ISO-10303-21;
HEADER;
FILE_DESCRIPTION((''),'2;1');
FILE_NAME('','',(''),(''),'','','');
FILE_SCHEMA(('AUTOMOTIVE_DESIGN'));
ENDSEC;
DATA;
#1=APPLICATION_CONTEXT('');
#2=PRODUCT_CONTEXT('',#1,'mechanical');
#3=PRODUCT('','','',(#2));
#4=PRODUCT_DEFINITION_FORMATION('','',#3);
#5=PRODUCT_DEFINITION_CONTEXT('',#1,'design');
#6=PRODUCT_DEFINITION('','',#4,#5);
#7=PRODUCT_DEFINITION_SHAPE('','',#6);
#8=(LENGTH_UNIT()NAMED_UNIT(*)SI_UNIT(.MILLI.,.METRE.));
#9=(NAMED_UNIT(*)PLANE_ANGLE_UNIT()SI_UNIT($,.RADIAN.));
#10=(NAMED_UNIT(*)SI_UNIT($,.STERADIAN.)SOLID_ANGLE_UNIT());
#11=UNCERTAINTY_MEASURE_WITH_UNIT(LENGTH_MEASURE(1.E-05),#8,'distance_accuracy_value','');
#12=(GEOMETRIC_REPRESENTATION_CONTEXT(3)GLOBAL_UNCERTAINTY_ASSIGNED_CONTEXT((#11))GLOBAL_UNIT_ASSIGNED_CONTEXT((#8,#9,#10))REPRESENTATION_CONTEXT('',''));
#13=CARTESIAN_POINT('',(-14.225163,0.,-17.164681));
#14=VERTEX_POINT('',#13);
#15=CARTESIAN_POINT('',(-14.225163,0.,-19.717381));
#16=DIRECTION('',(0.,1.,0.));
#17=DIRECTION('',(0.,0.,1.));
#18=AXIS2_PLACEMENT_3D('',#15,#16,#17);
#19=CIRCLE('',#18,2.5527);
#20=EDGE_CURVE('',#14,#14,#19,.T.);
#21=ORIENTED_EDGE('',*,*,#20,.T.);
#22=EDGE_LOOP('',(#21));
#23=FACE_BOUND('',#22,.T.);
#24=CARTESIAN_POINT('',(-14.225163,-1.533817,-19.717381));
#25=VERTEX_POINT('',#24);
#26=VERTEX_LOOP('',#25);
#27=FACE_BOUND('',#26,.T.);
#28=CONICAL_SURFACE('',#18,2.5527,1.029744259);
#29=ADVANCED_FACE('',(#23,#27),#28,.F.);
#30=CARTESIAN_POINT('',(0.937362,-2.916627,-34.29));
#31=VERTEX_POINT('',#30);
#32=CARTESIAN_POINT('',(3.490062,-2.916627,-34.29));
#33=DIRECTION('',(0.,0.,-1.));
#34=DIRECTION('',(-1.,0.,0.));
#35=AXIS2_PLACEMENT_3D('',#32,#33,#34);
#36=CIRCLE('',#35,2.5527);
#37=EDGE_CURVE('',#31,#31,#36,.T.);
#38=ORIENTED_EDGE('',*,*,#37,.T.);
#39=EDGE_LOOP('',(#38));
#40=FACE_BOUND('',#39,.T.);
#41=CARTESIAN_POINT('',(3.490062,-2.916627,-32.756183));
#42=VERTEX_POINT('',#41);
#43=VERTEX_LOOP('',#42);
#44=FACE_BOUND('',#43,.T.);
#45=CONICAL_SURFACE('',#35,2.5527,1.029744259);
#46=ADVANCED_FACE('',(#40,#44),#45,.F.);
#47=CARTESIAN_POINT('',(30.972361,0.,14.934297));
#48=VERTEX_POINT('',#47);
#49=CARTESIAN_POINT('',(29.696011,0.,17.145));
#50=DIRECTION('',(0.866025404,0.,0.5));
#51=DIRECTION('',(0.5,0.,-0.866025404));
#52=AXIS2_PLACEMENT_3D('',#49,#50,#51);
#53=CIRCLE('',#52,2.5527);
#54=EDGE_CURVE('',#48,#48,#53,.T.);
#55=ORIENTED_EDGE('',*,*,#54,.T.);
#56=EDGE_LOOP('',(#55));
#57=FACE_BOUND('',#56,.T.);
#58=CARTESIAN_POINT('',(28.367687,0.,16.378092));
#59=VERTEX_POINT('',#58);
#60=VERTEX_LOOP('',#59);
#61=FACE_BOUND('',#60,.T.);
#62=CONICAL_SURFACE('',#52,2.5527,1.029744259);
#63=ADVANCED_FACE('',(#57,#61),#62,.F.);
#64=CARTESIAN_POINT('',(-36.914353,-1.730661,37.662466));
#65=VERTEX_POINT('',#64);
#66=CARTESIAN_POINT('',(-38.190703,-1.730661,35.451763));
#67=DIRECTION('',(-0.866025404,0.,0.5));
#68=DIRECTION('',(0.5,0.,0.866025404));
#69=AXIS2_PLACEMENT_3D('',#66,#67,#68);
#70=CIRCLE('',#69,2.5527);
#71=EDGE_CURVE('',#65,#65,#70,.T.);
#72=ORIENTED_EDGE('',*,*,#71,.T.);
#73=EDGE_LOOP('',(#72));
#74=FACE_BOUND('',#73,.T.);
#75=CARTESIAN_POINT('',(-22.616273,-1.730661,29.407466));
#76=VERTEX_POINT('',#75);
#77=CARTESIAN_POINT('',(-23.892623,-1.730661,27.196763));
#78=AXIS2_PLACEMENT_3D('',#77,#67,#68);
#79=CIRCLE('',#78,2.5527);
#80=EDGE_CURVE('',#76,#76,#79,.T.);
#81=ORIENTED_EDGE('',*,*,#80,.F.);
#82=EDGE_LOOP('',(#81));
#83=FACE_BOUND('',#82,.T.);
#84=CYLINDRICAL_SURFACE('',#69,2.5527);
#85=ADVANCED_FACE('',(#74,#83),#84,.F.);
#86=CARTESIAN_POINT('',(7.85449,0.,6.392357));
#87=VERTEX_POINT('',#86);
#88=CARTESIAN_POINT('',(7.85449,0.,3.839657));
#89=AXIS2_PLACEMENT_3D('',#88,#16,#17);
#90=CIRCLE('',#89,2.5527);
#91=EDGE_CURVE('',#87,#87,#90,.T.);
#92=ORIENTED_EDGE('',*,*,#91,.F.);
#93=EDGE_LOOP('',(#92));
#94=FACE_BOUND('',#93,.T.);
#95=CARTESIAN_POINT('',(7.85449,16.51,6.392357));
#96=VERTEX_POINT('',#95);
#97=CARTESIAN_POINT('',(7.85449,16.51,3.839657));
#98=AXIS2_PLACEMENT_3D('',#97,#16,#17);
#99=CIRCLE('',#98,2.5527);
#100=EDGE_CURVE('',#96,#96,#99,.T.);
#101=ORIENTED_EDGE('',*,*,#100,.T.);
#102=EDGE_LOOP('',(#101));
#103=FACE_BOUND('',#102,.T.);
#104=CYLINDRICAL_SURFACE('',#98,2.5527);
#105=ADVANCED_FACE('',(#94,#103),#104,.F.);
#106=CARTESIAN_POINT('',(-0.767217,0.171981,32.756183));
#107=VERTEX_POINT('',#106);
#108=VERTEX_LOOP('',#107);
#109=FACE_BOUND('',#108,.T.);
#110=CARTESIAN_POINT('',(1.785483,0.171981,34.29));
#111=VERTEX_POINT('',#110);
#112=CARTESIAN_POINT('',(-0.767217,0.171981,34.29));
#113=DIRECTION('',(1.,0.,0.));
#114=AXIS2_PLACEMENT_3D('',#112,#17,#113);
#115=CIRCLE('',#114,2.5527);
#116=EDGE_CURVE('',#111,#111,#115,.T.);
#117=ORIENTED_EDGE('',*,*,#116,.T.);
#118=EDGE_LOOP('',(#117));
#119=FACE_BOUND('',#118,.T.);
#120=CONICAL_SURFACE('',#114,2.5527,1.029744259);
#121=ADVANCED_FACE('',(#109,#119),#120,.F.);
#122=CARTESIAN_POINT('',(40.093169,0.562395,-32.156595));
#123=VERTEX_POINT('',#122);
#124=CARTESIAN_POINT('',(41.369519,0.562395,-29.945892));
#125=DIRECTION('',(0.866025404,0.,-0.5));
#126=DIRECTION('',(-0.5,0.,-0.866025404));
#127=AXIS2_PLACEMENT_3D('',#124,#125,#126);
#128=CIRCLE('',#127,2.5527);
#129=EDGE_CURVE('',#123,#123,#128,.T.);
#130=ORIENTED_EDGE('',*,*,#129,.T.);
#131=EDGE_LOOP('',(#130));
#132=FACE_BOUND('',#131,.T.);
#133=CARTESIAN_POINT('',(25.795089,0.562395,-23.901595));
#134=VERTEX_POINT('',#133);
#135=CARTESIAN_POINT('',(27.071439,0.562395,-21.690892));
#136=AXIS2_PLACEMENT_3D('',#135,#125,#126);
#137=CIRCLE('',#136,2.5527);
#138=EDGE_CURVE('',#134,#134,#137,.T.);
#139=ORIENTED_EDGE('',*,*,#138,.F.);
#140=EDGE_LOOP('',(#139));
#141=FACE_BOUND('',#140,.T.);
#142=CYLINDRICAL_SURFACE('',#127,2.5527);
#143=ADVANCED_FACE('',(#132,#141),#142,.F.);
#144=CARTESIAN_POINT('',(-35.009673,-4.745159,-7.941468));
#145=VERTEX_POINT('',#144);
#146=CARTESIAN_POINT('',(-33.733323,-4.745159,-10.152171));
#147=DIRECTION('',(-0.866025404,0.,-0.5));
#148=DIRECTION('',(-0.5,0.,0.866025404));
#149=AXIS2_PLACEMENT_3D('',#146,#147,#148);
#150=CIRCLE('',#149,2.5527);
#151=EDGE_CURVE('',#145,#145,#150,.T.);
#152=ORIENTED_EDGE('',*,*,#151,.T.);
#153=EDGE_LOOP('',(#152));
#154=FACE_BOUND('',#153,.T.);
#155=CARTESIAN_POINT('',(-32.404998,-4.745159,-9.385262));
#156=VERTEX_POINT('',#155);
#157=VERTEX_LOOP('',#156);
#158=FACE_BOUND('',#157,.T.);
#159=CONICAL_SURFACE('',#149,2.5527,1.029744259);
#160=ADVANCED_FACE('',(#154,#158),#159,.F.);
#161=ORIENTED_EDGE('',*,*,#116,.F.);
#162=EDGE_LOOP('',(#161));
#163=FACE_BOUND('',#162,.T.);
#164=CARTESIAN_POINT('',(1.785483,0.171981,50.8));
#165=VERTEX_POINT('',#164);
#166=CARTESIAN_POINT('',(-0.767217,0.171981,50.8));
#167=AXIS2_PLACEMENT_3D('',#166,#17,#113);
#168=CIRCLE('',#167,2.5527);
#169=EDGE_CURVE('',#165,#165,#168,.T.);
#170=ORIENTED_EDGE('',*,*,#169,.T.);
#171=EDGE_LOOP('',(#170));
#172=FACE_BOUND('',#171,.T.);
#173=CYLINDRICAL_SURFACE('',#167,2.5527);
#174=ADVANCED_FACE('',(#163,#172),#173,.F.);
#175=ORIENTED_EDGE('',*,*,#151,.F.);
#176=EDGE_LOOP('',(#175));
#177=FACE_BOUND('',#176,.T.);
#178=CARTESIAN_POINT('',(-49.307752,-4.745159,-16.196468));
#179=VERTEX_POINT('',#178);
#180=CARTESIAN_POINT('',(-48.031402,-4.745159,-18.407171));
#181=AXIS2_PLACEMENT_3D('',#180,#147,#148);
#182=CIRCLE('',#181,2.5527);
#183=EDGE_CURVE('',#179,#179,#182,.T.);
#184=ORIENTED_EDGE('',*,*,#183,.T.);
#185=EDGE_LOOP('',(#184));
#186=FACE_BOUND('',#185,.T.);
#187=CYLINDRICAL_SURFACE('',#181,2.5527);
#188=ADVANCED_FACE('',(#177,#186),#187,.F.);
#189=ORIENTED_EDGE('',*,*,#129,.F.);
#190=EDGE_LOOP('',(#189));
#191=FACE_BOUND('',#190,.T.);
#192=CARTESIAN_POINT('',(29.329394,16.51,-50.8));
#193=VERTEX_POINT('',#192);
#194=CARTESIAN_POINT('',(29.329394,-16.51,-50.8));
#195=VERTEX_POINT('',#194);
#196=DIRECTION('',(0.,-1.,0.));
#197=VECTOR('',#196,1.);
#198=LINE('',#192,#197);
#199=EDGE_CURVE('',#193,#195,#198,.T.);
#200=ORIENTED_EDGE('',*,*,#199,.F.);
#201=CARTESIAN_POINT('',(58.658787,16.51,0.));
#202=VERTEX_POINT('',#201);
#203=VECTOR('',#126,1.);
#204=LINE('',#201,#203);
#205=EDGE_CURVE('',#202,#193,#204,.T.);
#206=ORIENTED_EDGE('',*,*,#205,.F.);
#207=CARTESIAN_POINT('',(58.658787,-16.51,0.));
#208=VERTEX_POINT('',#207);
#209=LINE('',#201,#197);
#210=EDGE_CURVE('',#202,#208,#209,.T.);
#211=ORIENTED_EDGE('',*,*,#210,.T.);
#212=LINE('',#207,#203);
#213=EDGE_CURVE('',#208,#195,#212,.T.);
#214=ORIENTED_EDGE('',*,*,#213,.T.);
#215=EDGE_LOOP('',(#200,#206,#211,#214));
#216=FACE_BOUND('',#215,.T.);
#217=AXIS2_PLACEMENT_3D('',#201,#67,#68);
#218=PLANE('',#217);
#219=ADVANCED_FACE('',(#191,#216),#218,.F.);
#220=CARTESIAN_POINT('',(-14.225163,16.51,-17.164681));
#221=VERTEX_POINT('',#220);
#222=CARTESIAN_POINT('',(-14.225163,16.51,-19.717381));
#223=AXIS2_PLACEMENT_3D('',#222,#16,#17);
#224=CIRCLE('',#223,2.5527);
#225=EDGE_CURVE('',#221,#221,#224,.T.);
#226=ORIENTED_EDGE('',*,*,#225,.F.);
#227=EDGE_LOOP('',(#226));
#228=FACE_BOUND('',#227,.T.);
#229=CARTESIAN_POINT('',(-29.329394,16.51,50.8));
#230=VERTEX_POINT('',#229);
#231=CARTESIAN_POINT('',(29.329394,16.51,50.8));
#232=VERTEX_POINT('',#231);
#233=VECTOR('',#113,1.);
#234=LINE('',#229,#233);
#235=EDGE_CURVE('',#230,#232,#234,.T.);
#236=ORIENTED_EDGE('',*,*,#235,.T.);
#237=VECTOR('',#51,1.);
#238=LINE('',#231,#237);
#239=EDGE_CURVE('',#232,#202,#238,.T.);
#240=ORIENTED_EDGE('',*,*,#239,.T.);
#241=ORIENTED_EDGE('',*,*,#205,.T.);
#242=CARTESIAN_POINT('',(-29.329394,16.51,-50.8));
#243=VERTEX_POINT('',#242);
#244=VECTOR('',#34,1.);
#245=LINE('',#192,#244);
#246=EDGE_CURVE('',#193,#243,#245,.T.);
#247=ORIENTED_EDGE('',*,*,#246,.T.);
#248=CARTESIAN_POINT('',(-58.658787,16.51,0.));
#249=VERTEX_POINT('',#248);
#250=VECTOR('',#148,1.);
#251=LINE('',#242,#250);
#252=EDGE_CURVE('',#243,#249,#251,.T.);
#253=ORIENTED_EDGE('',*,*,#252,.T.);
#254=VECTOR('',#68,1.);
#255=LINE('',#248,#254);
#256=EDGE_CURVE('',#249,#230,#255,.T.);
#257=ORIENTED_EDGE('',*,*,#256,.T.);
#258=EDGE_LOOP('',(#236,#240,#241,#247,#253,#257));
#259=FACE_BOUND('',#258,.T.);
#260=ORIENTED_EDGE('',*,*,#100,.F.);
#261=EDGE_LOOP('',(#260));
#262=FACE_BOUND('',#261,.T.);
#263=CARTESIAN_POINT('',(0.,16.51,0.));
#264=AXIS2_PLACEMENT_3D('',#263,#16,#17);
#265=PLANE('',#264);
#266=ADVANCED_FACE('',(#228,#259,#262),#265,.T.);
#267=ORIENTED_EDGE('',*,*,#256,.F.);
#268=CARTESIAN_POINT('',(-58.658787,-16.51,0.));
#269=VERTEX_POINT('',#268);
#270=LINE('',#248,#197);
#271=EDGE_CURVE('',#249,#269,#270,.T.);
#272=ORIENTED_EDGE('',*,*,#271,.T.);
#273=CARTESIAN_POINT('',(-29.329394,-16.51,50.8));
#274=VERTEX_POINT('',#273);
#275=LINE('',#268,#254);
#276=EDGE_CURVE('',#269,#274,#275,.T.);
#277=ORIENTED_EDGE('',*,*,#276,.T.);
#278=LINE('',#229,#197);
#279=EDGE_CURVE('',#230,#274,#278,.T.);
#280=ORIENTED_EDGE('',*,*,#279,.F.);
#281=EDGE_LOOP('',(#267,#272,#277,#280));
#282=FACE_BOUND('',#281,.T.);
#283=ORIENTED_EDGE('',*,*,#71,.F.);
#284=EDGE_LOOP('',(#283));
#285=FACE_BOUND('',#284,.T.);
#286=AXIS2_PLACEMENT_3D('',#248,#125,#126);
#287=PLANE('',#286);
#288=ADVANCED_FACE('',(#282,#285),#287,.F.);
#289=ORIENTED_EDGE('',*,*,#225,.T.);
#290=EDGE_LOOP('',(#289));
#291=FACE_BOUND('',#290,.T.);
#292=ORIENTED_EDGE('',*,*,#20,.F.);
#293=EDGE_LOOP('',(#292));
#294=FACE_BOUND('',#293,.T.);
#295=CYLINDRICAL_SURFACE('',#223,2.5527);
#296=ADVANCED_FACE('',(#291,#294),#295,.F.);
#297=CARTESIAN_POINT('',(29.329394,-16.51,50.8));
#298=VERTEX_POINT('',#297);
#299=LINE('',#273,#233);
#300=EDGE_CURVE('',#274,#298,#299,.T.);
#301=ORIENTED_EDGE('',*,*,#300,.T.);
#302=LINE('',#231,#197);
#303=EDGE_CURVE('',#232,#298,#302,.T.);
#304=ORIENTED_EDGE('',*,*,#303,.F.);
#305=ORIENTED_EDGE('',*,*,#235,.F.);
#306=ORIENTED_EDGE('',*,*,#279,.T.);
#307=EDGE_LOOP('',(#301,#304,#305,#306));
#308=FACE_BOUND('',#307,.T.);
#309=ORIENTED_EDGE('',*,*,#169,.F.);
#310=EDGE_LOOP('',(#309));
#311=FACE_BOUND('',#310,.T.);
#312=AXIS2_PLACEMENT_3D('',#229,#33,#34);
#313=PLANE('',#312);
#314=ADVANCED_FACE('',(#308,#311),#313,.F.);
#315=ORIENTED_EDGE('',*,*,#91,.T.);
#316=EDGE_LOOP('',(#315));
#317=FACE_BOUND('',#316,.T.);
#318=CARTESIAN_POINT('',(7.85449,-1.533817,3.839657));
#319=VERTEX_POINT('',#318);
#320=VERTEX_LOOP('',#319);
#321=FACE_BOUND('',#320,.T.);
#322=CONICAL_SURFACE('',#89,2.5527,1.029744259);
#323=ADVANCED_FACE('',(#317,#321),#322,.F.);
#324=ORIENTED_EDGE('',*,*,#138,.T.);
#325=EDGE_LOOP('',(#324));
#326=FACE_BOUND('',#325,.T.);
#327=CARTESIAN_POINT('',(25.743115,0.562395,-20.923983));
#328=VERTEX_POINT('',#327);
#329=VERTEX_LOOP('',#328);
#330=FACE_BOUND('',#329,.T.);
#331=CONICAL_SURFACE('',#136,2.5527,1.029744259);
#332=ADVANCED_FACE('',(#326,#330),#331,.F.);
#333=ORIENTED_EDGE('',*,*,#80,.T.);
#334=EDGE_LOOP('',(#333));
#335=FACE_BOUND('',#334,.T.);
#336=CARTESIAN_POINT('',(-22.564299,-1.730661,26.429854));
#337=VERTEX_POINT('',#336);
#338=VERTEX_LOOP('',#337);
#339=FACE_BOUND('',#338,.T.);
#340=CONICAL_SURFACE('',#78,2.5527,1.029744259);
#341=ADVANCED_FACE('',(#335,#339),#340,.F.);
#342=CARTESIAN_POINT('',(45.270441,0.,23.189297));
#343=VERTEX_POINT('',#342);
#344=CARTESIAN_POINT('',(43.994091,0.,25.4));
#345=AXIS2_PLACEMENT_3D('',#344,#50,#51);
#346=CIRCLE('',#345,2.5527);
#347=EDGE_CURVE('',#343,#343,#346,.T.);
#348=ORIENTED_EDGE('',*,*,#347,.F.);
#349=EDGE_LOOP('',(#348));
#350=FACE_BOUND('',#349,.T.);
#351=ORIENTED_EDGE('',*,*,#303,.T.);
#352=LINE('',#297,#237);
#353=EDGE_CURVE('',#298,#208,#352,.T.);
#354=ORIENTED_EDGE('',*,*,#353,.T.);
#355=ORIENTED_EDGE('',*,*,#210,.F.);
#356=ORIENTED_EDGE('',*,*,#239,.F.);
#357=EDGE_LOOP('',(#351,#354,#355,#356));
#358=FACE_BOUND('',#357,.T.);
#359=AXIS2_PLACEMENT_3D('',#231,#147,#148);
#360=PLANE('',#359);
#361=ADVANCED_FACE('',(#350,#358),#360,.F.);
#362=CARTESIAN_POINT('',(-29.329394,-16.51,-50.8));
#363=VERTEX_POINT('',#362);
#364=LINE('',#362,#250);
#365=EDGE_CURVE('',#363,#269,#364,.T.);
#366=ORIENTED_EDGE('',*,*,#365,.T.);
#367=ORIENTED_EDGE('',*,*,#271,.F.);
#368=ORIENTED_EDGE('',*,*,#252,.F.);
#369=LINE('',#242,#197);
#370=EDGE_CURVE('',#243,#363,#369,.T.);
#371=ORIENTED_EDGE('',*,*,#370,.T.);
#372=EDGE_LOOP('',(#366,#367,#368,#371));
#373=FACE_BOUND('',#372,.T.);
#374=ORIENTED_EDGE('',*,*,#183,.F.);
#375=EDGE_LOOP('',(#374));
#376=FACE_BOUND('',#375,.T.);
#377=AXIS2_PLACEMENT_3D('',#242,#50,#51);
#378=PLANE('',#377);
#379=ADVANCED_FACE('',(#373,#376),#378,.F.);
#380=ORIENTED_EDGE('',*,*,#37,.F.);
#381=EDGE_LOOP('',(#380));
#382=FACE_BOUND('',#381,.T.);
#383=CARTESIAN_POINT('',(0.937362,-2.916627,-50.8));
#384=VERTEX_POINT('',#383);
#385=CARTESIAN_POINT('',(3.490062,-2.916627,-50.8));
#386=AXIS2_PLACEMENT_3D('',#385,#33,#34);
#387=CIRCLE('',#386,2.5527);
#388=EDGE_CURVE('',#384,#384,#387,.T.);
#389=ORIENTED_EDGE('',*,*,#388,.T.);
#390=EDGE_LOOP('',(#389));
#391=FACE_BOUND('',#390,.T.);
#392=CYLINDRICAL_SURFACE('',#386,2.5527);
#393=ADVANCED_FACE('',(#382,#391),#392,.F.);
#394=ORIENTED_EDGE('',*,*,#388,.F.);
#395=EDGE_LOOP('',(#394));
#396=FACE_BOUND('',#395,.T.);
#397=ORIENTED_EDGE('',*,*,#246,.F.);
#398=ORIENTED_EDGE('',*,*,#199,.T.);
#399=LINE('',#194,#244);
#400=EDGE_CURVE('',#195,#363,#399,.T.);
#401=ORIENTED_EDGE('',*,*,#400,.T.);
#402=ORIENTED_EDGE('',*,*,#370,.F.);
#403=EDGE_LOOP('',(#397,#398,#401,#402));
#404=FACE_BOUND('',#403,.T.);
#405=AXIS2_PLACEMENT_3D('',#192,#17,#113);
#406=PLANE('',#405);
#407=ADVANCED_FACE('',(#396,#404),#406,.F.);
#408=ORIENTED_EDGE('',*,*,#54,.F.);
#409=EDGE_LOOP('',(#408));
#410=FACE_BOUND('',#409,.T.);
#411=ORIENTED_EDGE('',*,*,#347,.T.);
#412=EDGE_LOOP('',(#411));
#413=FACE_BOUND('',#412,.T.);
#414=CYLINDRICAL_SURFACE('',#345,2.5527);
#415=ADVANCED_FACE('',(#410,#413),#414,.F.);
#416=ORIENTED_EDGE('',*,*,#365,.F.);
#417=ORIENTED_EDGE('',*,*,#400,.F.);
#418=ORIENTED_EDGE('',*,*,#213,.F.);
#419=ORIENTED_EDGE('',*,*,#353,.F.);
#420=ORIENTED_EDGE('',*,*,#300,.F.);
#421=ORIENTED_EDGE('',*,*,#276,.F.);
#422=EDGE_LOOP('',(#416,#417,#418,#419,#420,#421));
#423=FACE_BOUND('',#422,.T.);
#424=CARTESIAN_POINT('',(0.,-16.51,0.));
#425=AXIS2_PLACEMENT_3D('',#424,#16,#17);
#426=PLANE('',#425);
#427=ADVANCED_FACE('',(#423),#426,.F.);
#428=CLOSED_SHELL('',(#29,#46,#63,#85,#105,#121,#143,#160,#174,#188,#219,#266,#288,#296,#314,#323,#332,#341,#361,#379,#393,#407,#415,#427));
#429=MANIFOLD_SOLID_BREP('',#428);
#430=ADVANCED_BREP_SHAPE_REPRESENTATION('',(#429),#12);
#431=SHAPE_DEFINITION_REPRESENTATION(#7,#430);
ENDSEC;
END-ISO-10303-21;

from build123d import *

# Parameters (mm, degrees)
BOSS_EXTRUDE1_DEPTH                   = 16.51
F_1_4_20_TAPPED_HOLE2_D               = 5.1054
F_1_4_20_TAPPED_HOLE2_DEPTH           = 16.51
F_1_4_20_TAPPED_HOLE2_TIP             = 1.533816902
F_1_4_20_TAPPED_HOLE2_ON_FACE_2_D     = 5.1054
F_1_4_20_TAPPED_HOLE2_ON_FACE_2_DEPTH = 16.51
F_1_4_20_TAPPED_HOLE2_ON_FACE_2_TIP   = 1.533816902
F_1_4_20_TAPPED_HOLE2_ON_FACE_3_D     = 5.1054
F_1_4_20_TAPPED_HOLE2_ON_FACE_3_DEPTH = 16.51
F_1_4_20_TAPPED_HOLE2_ON_FACE_3_TIP   = 1.533816902
F_1_4_20_TAPPED_HOLE2_ON_FACE_4_D     = 5.1054
F_1_4_20_TAPPED_HOLE2_ON_FACE_4_DEPTH = 16.51
F_1_4_20_TAPPED_HOLE2_ON_FACE_4_TIP   = 1.533816902
F_1_4_20_TAPPED_HOLE2_ON_FACE_5_D     = 5.1054
F_1_4_20_TAPPED_HOLE2_ON_FACE_5_DEPTH = 16.51
F_1_4_20_TAPPED_HOLE2_ON_FACE_5_TIP   = 1.533816902
F_1_4_20_TAPPED_HOLE2_ON_FACE_6_D     = 5.1054
F_1_4_20_TAPPED_HOLE2_ON_FACE_6_DEPTH = 16.51
F_1_4_20_TAPPED_HOLE2_ON_FACE_6_TIP   = 1.533816902
F_1_4_20_TAPPED_HOLE2_ON_FACE_7_D     = 5.1054
F_1_4_20_TAPPED_HOLE2_ON_FACE_7_DEPTH = 16.51
F_1_4_20_TAPPED_HOLE2_ON_FACE_7_TIP   = 1.533816902


with BuildPart() as part:
    # Sketch1 → Boss-Extrude1 (new, symmetric)
    with BuildSketch(Plane(origin=(0, 0, 0), x_dir=(1, 0, 0), z_dir=(0, 1, 0))):
        Polygon((-58.65878735, 0), (-29.329393675, -50.8), (29.329393675, -50.8), (58.65878735, 0), (29.329393675, 50.8), (-29.329393675, 50.8), align=None)
    extrude(amount=BOSS_EXTRUDE1_DEPTH, both=True)

    # 1/4-20 Tapped Hole2
    with Locations(Plane(origin=(-14.225163033, 16.51, -19.717380526), x_dir=(0, 0, 1), z_dir=(0, 1, 0))):
        with Locations((0, 0), (23.5570377, 22.079652882)):
            Hole(F_1_4_20_TAPPED_HOLE2_D / 2, depth=F_1_4_20_TAPPED_HOLE2_DEPTH)
            with Locations((0, 0, -(F_1_4_20_TAPPED_HOLE2_DEPTH + F_1_4_20_TAPPED_HOLE2_TIP / 2))):  # 118° drill point
                Cone(0, F_1_4_20_TAPPED_HOLE2_D / 2, F_1_4_20_TAPPED_HOLE2_TIP, mode=Mode.SUBTRACT)

    # 1/4-20 Tapped Hole2 on face 2
    with Locations(Plane(origin=(41.36951867, 0.562395416, -29.945891779), x_dir=(0.500000174844, 0, 0.866025302838), z_dir=(0.866025302838, 0, -0.500000174844))):
        with Locations((0, 0)):
            Hole(F_1_4_20_TAPPED_HOLE2_ON_FACE_2_D / 2, depth=F_1_4_20_TAPPED_HOLE2_ON_FACE_2_DEPTH)
            with Locations((0, 0, -(F_1_4_20_TAPPED_HOLE2_ON_FACE_2_DEPTH + F_1_4_20_TAPPED_HOLE2_ON_FACE_2_TIP / 2))):  # 118° drill point
                Cone(0, F_1_4_20_TAPPED_HOLE2_ON_FACE_2_D / 2, F_1_4_20_TAPPED_HOLE2_ON_FACE_2_TIP, mode=Mode.SUBTRACT)

    # 1/4-20 Tapped Hole2 on face 3
    with Locations(Plane(origin=(43.994090512, 0, 25.4), x_dir=(-0.500000174844, 0, 0.866025302838), z_dir=(0.866025302838, 0, 0.500000174844))):
        with Locations((0, 0)):
            Hole(F_1_4_20_TAPPED_HOLE2_ON_FACE_3_D / 2, depth=F_1_4_20_TAPPED_HOLE2_ON_FACE_3_DEPTH)
            with Locations((0, 0, -(F_1_4_20_TAPPED_HOLE2_ON_FACE_3_DEPTH + F_1_4_20_TAPPED_HOLE2_ON_FACE_3_TIP / 2))):  # 118° drill point
                Cone(0, F_1_4_20_TAPPED_HOLE2_ON_FACE_3_D / 2, F_1_4_20_TAPPED_HOLE2_ON_FACE_3_TIP, mode=Mode.SUBTRACT)

    # 1/4-20 Tapped Hole2 on face 4
    with Locations(Plane(origin=(-0.767217268, 0.17198146, 50.8), x_dir=(1, 0, 0), z_dir=(0, 0, 1))):
        with Locations((0, 0)):
            Hole(F_1_4_20_TAPPED_HOLE2_ON_FACE_4_D / 2, depth=F_1_4_20_TAPPED_HOLE2_ON_FACE_4_DEPTH)
            with Locations((0, 0, -(F_1_4_20_TAPPED_HOLE2_ON_FACE_4_DEPTH + F_1_4_20_TAPPED_HOLE2_ON_FACE_4_TIP / 2))):  # 118° drill point
                Cone(0, F_1_4_20_TAPPED_HOLE2_ON_FACE_4_D / 2, F_1_4_20_TAPPED_HOLE2_ON_FACE_4_TIP, mode=Mode.SUBTRACT)

    # 1/4-20 Tapped Hole2 on face 5
    with Locations(Plane(origin=(-38.190702716, -1.730660851, 35.451762519), x_dir=(-0.500000174844, 0, -0.866025302838), z_dir=(-0.866025302838, 0, 0.500000174844))):
        with Locations((0, 0)):
            Hole(F_1_4_20_TAPPED_HOLE2_ON_FACE_5_D / 2, depth=F_1_4_20_TAPPED_HOLE2_ON_FACE_5_DEPTH)
            with Locations((0, 0, -(F_1_4_20_TAPPED_HOLE2_ON_FACE_5_DEPTH + F_1_4_20_TAPPED_HOLE2_ON_FACE_5_TIP / 2))):  # 118° drill point
                Cone(0, F_1_4_20_TAPPED_HOLE2_ON_FACE_5_D / 2, F_1_4_20_TAPPED_HOLE2_ON_FACE_5_TIP, mode=Mode.SUBTRACT)

    # 1/4-20 Tapped Hole2 on face 6
    with Locations(Plane(origin=(-48.031402305, -4.745159271, -18.407170849), x_dir=(0.500000174844, 0, -0.866025302838), z_dir=(-0.866025302838, 0, -0.500000174844))):
        with Locations((0, 0)):
            Hole(F_1_4_20_TAPPED_HOLE2_ON_FACE_6_D / 2, depth=F_1_4_20_TAPPED_HOLE2_ON_FACE_6_DEPTH)
            with Locations((0, 0, -(F_1_4_20_TAPPED_HOLE2_ON_FACE_6_DEPTH + F_1_4_20_TAPPED_HOLE2_ON_FACE_6_TIP / 2))):  # 118° drill point
                Cone(0, F_1_4_20_TAPPED_HOLE2_ON_FACE_6_D / 2, F_1_4_20_TAPPED_HOLE2_ON_FACE_6_TIP, mode=Mode.SUBTRACT)

    # 1/4-20 Tapped Hole2 on face 7
    with Locations(Plane(origin=(3.490061769, -2.916627308, -50.8), x_dir=(-1, 0, 0), z_dir=(0, 0, -1))):
        with Locations((0, 0)):
            Hole(F_1_4_20_TAPPED_HOLE2_ON_FACE_7_D / 2, depth=F_1_4_20_TAPPED_HOLE2_ON_FACE_7_DEPTH)
            with Locations((0, 0, -(F_1_4_20_TAPPED_HOLE2_ON_FACE_7_DEPTH + F_1_4_20_TAPPED_HOLE2_ON_FACE_7_TIP / 2))):  # 118° drill point
                Cone(0, F_1_4_20_TAPPED_HOLE2_ON_FACE_7_D / 2, F_1_4_20_TAPPED_HOLE2_ON_FACE_7_TIP, mode=Mode.SUBTRACT)


solid = part.part
